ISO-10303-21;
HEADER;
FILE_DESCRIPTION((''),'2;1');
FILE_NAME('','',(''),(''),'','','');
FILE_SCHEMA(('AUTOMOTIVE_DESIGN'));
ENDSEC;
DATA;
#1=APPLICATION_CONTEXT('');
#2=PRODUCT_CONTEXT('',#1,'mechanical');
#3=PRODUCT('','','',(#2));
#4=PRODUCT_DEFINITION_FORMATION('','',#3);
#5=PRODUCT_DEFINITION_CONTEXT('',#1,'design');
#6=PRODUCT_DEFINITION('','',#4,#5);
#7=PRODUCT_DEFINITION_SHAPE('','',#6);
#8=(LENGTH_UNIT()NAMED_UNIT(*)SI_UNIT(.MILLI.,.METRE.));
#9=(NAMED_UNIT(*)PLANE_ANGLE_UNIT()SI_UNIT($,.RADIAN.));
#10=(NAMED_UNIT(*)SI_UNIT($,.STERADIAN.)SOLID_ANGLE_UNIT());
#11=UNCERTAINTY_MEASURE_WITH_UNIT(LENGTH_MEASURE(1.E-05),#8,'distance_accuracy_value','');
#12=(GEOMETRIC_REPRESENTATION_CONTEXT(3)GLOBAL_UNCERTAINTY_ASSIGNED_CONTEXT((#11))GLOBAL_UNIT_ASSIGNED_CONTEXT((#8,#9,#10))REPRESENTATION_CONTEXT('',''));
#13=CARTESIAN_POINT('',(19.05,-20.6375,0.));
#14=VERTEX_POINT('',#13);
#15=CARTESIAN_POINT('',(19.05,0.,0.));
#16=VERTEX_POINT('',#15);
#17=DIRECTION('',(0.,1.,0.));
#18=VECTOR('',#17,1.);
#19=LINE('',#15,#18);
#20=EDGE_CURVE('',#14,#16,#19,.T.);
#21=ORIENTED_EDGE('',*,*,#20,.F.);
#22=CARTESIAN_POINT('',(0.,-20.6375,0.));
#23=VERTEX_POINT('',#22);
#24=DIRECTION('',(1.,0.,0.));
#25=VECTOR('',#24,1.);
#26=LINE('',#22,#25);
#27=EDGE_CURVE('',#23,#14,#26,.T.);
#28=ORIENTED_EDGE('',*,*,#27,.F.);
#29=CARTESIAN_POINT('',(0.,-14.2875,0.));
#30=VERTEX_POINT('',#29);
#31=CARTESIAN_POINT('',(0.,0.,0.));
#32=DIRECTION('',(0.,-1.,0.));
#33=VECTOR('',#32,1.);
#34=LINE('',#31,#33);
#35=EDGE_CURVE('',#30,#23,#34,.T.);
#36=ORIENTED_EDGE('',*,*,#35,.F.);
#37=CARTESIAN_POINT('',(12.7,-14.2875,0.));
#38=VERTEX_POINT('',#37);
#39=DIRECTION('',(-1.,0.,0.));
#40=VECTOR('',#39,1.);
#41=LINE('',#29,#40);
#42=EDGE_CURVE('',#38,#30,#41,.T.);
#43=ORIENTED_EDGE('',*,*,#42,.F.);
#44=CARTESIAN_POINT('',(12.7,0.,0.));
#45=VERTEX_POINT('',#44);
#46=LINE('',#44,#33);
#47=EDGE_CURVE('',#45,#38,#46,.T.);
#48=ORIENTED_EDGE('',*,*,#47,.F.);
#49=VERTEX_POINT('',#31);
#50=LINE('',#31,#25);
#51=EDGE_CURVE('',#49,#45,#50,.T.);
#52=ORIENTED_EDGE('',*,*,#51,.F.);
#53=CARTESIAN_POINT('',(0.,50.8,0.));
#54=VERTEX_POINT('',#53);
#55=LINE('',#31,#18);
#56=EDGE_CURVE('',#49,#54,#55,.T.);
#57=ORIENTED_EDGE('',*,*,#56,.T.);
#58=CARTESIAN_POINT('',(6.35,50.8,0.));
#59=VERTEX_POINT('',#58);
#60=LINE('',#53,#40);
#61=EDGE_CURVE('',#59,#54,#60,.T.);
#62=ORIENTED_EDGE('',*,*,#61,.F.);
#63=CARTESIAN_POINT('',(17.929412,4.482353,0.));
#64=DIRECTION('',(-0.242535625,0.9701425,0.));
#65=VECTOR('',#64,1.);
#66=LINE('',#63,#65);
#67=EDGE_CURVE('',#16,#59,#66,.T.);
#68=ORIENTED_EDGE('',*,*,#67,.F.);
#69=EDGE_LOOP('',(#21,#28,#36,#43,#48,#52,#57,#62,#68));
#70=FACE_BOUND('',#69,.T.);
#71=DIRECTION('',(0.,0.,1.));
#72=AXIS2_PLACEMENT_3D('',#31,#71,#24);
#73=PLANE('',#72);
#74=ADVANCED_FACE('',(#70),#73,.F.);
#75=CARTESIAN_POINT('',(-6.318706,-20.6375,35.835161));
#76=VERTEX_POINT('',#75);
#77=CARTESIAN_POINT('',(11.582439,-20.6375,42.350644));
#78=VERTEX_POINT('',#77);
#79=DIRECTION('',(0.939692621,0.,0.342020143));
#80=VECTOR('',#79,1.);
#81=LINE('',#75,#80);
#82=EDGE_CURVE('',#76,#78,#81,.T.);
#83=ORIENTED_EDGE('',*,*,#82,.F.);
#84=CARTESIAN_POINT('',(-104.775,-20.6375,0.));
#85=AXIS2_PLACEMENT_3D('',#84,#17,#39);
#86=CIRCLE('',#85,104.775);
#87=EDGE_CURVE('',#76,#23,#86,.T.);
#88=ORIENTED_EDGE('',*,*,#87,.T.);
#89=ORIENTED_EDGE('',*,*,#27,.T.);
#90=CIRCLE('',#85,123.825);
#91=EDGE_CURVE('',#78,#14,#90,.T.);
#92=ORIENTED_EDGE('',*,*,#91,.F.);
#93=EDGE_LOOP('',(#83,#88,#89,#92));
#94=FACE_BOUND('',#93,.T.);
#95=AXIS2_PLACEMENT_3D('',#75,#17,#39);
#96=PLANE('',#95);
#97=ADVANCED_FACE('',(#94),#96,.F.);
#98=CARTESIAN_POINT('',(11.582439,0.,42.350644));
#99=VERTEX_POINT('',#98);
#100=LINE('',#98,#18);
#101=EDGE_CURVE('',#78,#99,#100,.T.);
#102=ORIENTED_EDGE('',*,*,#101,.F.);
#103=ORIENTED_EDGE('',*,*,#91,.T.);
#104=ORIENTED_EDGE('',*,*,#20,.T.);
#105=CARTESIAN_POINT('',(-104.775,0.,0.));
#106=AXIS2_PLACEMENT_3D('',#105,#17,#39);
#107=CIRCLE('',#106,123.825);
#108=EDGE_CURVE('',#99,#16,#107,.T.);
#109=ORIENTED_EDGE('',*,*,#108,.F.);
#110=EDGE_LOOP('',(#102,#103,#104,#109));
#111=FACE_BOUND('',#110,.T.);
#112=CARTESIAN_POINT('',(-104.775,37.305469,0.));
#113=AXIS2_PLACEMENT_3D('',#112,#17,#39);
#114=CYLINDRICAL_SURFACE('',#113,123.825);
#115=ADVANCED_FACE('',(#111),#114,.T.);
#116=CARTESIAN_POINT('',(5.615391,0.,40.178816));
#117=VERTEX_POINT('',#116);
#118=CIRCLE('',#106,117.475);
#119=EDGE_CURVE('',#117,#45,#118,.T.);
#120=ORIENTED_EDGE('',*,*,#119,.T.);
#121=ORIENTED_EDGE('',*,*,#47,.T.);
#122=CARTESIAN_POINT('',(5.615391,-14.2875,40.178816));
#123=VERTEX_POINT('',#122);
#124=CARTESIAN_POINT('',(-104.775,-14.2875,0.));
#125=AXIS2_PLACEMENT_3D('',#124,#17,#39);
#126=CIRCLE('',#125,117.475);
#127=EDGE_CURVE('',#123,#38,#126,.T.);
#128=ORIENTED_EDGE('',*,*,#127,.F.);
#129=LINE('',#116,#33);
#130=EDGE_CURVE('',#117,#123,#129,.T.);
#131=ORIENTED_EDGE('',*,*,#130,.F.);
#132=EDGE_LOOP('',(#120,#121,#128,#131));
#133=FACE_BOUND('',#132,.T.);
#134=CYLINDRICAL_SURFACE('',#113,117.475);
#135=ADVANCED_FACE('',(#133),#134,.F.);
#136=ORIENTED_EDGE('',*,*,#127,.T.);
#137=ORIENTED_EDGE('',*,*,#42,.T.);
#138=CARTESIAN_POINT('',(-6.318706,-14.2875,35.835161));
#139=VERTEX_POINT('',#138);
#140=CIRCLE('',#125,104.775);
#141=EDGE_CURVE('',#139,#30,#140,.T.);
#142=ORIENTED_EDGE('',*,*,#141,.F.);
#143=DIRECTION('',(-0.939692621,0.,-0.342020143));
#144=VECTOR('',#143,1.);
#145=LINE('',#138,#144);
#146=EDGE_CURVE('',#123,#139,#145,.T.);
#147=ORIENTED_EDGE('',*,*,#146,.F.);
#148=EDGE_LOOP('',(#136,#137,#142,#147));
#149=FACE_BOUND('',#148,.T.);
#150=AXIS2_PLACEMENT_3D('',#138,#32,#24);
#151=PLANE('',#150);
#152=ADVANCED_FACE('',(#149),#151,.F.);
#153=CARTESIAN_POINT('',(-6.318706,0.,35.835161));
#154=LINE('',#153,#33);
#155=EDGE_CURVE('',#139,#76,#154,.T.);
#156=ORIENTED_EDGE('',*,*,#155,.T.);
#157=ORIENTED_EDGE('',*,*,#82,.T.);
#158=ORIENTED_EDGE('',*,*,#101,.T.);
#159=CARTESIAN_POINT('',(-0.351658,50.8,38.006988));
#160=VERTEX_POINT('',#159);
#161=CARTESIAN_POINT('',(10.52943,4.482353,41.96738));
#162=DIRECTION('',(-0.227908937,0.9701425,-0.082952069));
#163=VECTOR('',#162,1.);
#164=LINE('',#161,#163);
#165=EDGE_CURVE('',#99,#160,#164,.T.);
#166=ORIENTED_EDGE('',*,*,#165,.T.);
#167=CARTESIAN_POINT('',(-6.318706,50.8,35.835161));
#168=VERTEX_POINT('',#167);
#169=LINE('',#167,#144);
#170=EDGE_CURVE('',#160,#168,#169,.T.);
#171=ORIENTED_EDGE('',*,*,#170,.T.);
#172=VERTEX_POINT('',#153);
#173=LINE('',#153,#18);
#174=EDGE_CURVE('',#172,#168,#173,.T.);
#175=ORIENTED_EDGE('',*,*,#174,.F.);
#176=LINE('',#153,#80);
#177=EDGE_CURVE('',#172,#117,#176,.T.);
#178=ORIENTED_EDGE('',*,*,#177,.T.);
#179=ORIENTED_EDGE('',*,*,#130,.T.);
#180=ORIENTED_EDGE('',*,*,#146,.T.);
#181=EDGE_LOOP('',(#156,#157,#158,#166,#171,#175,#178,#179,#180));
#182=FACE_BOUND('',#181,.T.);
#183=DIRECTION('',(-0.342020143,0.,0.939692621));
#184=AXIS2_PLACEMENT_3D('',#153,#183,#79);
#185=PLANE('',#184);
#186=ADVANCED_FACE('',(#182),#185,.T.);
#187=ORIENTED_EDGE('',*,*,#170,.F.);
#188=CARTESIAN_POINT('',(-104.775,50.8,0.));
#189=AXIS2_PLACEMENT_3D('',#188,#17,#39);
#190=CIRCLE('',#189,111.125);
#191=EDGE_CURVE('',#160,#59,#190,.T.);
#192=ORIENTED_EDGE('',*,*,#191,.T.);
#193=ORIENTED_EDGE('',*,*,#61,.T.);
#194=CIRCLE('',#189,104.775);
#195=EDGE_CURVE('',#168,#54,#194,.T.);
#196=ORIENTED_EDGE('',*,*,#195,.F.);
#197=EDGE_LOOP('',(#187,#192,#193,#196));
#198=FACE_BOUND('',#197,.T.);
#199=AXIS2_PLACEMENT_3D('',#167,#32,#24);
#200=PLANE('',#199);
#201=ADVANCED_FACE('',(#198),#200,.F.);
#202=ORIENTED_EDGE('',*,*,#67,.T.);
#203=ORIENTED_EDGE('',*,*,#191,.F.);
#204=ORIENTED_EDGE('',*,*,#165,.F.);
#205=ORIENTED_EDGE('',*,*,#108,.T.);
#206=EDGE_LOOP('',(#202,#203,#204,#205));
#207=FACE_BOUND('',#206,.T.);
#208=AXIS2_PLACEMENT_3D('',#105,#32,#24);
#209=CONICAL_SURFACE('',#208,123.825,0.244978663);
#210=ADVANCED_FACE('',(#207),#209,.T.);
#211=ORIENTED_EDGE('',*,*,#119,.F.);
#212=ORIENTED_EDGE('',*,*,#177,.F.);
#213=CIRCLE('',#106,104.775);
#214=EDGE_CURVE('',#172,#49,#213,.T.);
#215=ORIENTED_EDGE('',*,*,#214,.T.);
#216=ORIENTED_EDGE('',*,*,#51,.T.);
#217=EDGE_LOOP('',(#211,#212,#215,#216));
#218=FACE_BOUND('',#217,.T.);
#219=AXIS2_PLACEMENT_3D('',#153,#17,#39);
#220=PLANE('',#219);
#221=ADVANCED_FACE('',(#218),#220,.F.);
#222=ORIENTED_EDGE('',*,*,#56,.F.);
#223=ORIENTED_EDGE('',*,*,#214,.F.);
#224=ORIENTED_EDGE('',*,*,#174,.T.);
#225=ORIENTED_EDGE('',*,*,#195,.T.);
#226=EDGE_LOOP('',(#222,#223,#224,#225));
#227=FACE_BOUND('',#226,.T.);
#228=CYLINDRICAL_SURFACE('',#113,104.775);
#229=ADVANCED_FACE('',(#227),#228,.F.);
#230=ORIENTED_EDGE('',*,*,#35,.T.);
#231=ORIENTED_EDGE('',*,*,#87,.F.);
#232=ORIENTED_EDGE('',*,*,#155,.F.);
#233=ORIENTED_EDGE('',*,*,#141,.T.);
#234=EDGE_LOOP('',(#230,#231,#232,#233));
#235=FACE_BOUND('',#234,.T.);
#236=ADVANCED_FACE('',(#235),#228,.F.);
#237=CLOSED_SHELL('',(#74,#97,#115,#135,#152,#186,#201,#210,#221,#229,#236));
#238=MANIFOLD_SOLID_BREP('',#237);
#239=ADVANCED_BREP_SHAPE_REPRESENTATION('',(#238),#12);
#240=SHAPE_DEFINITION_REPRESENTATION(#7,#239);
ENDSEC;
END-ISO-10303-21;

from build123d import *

# Parameters (mm, degrees)
REVOLVE1_ANGLE = 20


with BuildPart() as part:
    # Sketch1 → Revolve1 (revolve)
    with BuildSketch(Plane.XY):
        Polygon((0, 50.8), (0, 0), (12.7, 0), (12.7, -14.2875), (0, -14.2875), (0, -20.6375), (19.05, -20.6375), (19.05, 0), (6.35, 50.8), align=None)
    revolve(axis=Axis((-104.775, 37.30546868, 0), (0, -1, 0)), revolution_arc=REVOLVE1_ANGLE)


solid = part.part
